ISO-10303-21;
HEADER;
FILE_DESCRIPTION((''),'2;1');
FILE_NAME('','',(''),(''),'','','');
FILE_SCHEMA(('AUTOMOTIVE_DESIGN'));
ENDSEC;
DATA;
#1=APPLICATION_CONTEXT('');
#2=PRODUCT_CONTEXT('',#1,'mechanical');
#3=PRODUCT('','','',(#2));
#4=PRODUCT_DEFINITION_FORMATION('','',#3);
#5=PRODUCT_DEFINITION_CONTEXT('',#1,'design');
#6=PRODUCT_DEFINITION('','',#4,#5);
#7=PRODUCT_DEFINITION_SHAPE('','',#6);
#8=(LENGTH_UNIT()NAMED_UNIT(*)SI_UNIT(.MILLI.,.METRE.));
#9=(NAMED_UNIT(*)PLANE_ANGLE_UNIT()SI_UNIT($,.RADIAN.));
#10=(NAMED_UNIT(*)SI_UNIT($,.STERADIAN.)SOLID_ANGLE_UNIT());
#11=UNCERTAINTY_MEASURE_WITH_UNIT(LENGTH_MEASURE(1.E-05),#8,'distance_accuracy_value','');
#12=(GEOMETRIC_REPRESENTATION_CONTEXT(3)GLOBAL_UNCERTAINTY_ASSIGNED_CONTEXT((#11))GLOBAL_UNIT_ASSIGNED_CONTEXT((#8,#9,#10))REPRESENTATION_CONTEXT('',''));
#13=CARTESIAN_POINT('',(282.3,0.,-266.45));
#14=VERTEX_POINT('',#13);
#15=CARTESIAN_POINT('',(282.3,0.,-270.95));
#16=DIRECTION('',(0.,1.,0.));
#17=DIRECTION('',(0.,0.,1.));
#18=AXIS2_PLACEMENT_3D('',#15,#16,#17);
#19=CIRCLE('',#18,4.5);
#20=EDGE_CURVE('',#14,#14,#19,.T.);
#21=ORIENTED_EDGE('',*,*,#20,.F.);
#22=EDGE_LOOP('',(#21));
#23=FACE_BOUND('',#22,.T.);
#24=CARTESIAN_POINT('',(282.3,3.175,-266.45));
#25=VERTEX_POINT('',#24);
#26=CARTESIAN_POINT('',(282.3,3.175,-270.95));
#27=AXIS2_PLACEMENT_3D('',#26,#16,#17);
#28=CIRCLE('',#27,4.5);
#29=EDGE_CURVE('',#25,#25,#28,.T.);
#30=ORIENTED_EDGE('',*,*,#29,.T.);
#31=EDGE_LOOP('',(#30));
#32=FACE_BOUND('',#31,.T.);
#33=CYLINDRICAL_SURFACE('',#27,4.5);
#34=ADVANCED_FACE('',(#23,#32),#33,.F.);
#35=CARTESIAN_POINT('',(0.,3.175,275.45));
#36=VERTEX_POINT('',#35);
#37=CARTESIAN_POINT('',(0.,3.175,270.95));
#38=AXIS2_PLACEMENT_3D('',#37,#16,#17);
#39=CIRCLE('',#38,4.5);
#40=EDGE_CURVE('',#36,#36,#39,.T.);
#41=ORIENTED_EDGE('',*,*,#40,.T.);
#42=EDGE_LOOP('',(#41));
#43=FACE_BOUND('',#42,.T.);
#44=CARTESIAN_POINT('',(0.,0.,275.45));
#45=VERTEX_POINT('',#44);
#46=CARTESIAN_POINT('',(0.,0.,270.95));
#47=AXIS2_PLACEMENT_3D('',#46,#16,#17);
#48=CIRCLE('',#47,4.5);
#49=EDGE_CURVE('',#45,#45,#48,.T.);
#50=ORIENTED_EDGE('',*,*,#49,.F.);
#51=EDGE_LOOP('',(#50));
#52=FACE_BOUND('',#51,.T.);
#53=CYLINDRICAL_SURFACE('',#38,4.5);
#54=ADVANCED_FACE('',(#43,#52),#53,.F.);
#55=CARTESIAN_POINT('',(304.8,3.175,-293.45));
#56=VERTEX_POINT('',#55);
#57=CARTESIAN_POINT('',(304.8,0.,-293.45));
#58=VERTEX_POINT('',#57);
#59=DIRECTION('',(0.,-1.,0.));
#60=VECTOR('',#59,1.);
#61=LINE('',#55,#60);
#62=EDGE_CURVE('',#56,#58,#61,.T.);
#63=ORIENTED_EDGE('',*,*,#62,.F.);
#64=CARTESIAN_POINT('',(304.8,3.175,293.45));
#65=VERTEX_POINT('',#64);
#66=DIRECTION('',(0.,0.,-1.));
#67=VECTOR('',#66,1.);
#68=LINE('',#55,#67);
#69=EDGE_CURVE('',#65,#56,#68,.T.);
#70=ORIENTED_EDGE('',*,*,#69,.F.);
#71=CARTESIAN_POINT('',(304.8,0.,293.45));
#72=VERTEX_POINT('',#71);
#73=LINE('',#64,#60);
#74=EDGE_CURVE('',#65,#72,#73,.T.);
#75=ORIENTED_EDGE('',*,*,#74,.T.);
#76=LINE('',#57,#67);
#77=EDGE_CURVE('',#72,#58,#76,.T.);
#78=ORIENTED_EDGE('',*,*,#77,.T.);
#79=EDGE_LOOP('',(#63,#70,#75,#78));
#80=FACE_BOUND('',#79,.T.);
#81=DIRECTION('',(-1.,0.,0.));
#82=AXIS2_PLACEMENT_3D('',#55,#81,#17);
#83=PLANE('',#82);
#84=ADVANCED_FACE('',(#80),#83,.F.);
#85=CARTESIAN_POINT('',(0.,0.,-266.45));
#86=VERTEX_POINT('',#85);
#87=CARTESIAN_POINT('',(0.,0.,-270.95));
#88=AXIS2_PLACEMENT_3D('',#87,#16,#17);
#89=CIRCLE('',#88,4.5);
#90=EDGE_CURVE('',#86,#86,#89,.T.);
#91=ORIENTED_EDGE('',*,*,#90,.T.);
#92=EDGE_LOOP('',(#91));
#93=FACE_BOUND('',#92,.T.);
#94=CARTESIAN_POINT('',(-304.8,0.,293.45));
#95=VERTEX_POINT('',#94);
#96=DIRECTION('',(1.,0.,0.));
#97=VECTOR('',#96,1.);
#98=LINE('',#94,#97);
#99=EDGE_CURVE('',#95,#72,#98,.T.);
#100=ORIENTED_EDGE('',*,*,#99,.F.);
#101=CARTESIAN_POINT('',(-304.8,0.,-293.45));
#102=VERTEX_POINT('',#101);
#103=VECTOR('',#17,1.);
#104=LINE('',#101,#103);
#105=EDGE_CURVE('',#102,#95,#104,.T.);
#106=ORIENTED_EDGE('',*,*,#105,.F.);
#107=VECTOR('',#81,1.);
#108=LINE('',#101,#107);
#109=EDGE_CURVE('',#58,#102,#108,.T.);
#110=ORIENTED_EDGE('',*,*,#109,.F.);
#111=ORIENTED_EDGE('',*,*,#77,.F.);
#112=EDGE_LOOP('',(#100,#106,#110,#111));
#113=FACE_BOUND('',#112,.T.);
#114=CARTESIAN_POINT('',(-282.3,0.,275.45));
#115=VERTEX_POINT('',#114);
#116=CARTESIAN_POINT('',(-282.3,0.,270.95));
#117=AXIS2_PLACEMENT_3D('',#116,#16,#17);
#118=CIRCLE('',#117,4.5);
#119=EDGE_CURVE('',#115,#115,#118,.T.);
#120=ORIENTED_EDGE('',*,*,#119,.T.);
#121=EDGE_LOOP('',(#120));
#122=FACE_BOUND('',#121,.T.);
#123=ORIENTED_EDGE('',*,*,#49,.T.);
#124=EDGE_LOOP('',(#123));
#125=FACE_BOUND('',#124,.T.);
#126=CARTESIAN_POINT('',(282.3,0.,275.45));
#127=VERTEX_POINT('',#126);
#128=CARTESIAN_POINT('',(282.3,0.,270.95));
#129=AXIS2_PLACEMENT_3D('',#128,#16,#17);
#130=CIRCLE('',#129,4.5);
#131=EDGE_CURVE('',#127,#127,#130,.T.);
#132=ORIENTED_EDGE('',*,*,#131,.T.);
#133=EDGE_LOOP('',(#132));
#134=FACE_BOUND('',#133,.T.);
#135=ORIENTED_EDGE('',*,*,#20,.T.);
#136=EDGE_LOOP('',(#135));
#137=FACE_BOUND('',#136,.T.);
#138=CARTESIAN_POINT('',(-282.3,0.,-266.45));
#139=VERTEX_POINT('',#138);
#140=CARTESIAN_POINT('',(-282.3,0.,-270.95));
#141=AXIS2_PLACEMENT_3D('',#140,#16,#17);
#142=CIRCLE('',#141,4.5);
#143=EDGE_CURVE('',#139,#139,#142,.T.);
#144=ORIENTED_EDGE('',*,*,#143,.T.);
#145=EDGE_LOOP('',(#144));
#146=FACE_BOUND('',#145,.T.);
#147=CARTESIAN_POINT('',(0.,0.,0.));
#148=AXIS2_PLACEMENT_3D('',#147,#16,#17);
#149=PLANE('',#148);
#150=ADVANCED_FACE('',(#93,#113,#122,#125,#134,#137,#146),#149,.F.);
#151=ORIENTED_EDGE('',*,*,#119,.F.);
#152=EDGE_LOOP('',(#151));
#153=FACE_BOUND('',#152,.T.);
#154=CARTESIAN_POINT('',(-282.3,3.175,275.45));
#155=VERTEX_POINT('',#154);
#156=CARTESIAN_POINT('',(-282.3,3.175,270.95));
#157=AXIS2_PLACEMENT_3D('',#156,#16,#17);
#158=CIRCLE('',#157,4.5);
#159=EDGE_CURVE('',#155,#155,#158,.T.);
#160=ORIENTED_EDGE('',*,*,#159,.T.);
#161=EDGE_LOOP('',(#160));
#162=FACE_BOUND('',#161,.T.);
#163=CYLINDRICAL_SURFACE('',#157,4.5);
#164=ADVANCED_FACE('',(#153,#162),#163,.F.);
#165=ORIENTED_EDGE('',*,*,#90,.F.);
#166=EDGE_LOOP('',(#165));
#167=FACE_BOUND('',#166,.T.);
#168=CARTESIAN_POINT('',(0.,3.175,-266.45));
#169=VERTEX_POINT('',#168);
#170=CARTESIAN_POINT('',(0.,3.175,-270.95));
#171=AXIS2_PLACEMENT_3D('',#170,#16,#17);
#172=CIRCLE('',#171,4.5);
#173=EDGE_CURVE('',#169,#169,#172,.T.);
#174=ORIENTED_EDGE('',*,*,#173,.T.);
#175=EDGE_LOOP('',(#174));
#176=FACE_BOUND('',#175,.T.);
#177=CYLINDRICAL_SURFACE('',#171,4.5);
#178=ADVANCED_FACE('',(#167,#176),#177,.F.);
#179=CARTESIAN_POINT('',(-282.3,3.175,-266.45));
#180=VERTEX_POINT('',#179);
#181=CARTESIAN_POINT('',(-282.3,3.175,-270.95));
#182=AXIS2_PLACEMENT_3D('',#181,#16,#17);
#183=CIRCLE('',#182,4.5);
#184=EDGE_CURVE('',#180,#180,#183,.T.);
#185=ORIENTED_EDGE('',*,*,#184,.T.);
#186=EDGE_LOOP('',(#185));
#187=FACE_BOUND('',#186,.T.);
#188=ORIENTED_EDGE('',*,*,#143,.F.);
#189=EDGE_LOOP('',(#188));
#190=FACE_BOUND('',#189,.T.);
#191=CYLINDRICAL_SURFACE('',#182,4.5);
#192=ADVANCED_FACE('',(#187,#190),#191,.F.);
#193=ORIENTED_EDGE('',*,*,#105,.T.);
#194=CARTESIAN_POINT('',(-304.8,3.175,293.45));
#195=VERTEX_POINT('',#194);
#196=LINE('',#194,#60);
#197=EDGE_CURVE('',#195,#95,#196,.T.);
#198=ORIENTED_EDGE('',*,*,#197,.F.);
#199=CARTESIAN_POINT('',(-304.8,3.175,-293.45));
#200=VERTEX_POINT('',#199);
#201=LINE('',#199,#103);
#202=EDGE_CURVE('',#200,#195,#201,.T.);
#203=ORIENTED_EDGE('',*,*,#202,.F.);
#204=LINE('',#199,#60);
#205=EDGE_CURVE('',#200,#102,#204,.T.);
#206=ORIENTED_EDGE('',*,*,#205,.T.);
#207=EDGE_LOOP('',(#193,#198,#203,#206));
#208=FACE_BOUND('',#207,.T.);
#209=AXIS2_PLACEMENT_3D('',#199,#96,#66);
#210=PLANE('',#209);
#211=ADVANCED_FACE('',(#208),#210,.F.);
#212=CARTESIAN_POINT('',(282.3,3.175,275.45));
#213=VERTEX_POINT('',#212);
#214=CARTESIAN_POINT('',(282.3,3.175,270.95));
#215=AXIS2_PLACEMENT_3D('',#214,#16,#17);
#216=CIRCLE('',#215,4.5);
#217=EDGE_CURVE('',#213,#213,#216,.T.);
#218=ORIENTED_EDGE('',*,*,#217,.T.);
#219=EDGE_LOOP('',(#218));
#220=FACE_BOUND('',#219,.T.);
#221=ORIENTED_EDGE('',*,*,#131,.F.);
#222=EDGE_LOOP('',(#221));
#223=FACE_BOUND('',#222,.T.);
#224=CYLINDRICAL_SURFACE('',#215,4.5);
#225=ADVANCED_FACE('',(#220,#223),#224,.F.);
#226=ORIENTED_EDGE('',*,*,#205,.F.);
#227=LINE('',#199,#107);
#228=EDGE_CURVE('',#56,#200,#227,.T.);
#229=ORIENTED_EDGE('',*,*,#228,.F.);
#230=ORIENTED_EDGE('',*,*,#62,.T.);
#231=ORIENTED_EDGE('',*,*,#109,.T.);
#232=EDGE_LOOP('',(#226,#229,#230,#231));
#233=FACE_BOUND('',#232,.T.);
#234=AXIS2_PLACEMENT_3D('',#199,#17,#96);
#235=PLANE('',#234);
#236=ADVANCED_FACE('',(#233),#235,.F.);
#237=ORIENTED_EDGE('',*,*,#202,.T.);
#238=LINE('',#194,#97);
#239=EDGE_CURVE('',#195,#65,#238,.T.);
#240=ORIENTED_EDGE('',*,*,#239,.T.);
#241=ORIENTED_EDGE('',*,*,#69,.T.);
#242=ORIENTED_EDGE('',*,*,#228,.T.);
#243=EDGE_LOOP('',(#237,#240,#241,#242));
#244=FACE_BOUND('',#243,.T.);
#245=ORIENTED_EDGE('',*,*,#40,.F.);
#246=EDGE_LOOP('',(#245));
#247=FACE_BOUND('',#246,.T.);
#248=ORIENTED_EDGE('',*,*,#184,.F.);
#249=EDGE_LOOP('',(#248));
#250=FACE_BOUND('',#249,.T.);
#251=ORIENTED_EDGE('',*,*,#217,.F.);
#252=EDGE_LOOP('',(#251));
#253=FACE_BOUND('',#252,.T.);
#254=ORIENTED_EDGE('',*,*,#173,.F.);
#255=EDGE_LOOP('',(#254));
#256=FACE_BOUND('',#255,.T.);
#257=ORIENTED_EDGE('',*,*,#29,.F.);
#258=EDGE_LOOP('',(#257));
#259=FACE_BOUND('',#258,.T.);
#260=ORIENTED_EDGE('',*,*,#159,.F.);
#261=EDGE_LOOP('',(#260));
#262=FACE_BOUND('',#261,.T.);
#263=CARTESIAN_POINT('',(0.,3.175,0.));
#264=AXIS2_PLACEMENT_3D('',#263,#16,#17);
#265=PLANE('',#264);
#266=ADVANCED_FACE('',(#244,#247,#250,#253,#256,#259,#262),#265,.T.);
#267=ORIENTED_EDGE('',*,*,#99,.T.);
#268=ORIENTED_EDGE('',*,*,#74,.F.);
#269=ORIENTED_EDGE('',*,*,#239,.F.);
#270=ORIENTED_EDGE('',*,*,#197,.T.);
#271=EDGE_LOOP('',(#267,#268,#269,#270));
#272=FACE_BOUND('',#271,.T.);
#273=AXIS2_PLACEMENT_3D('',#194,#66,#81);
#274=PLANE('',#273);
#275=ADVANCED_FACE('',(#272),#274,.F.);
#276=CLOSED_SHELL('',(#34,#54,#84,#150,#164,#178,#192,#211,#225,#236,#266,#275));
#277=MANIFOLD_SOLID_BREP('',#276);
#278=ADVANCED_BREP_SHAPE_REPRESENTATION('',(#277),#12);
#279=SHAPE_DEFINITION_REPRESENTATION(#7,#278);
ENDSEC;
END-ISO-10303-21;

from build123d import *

# Parameters (mm, degrees)
SKETCH1_W                = 609.6
SKETCH1_H                = 586.899999934
BOSS_EXTRUDE1_DEPTH      = 3.175
F_5_16_CLEARANCE_HOLE4_D = 9.000000034


with BuildPart() as part:
    # Sketch1 → Boss-Extrude1 (new body)
    with BuildSketch(Plane(origin=(0, 0, 0), x_dir=(1, 0, 0), z_dir=(0, 1, 0))):
        Rectangle(SKETCH1_W, SKETCH1_H)
    extrude(amount=BOSS_EXTRUDE1_DEPTH)

    # 5/16 Clearance Hole4 (through all)
    with Locations(Plane(origin=(0, 3.175, 0), x_dir=(1, 0, 0), z_dir=(0, 1, 0))):
        with Locations((-282.3, 270.949999967), (0, 270.949999967), (282.3, 270.949999967), (282.3, -270.949999967), (0, -270.949999967), (-282.3, -270.949999967)):
            Hole(F_5_16_CLEARANCE_HOLE4_D / 2)


solid = part.part
